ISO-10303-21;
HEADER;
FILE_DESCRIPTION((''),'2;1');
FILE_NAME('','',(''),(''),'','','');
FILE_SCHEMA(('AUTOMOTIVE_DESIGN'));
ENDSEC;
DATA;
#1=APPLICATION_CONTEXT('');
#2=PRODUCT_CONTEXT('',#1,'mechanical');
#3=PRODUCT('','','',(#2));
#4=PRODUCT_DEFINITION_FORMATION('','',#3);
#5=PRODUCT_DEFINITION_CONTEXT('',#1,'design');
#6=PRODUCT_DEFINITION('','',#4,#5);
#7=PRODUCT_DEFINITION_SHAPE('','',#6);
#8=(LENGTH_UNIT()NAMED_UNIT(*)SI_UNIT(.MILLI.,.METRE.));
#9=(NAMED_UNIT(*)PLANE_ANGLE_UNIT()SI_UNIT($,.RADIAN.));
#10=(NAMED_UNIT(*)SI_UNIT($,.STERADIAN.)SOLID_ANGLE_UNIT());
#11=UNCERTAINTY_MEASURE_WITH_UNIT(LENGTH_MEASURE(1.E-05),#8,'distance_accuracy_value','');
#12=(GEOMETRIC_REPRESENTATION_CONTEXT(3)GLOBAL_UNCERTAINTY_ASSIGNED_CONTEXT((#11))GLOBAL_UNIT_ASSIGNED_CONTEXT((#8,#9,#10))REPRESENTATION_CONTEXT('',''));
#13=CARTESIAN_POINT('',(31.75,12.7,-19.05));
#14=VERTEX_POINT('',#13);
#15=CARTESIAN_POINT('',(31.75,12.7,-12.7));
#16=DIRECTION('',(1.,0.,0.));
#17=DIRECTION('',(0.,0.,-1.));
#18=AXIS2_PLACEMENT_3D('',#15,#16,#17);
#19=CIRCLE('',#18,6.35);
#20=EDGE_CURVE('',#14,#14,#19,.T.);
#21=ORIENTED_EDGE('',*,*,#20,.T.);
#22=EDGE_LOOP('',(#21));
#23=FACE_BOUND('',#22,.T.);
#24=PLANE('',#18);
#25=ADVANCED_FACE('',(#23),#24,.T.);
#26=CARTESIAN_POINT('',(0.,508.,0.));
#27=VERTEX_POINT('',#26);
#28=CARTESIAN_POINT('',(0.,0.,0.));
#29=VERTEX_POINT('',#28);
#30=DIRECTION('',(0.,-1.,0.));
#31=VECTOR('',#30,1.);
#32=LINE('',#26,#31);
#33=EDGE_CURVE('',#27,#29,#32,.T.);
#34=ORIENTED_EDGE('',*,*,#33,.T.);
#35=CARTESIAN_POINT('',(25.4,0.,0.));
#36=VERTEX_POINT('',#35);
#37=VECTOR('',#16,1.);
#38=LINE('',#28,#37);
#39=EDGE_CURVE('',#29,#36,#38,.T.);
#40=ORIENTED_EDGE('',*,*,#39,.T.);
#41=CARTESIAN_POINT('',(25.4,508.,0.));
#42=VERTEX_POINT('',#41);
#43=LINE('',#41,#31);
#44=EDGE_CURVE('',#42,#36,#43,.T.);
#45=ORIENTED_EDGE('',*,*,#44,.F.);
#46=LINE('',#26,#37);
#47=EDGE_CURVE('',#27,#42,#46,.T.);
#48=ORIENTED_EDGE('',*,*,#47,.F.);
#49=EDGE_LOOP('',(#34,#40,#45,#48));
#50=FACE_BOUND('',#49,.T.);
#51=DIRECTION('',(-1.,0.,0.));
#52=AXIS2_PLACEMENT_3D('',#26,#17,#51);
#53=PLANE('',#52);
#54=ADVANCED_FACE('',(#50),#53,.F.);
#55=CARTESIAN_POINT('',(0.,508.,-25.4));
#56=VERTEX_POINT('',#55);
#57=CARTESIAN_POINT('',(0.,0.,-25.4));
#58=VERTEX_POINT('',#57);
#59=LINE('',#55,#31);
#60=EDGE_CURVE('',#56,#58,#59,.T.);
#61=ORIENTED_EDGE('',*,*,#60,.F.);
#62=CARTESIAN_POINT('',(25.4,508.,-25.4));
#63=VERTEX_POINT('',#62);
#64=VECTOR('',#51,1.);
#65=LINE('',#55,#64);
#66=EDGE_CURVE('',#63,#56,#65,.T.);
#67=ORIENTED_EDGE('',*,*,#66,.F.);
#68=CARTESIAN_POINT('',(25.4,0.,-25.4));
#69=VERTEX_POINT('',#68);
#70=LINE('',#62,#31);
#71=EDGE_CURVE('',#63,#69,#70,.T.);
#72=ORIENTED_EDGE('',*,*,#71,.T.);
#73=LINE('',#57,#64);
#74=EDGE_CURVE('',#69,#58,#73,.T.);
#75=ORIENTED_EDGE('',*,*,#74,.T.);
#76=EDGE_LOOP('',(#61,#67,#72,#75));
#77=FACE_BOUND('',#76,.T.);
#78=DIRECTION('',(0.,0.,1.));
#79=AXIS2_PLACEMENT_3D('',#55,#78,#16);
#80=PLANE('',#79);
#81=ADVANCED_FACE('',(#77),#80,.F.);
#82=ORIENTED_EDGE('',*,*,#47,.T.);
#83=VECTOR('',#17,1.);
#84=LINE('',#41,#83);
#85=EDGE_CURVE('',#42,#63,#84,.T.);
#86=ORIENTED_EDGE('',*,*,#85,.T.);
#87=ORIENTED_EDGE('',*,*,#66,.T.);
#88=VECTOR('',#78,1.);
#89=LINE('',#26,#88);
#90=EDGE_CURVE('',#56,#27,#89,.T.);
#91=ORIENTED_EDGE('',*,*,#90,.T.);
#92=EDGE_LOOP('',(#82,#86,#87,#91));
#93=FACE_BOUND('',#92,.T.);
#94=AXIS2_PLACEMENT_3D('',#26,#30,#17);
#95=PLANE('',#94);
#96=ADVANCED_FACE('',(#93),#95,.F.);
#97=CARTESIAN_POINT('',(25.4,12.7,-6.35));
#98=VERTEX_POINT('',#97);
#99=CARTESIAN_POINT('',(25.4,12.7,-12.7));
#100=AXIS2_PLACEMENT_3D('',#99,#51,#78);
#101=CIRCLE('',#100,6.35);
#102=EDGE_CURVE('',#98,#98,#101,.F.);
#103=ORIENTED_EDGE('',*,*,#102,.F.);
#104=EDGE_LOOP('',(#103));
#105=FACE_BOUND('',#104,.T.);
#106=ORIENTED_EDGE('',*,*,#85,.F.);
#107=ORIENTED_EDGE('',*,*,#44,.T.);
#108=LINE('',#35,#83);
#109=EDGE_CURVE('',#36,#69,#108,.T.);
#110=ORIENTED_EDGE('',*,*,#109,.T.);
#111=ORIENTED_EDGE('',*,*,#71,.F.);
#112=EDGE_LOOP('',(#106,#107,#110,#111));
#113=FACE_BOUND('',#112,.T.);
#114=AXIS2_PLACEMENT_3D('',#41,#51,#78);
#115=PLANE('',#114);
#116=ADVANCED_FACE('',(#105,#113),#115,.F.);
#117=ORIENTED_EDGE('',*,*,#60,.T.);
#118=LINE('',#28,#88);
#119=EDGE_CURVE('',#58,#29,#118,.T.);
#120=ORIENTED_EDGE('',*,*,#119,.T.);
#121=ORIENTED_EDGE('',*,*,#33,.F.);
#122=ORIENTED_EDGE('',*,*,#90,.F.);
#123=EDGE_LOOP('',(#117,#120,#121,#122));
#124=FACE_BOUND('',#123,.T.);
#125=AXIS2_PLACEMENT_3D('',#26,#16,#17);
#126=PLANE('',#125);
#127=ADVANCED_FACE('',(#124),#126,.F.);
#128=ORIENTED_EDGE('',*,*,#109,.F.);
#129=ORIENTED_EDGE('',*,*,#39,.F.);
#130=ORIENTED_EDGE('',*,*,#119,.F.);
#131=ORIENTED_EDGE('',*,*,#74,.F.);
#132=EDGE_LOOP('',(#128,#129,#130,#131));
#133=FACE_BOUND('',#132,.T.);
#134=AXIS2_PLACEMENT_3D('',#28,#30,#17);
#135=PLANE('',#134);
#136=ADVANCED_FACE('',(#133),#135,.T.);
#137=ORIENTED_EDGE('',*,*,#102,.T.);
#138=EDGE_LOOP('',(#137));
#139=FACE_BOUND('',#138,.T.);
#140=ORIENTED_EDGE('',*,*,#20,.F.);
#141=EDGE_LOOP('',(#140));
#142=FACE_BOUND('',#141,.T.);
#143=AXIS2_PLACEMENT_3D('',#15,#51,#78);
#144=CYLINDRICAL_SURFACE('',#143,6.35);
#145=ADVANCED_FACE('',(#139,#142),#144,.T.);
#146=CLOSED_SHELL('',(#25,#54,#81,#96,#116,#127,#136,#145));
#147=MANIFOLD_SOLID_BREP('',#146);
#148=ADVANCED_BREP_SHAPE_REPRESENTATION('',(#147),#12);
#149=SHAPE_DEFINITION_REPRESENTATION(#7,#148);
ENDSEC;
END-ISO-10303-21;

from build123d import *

# Parameters (mm, degrees)
SKETCH1_W           = 25.4
SKETCH1_H           = 25.4
BOSS_EXTRUDE2_DEPTH = 508
SKETCH3_R           = 6.35
BOSS_EXTRUDE4_DEPTH = 6.35


with BuildPart() as part:
    # Sketch1 → Boss-Extrude2 (new body)
    with BuildSketch(Plane(origin=(0, 0, 0), x_dir=(1, 0, 0), z_dir=(0, 1, 0))):
        with Locations((12.7, 12.7)):
            Rectangle(SKETCH1_W, SKETCH1_H)
    extrude(amount=BOSS_EXTRUDE2_DEPTH)

    # Sketch3 → Boss-Extrude4 (add)
    with BuildSketch(Plane(origin=(25.4, 0, 0), x_dir=(0, 0, -1), z_dir=(1, 0, 0))):
        with Locations(Location((12.7, 12.7, 0), (0, 0, 180))):
            Circle(SKETCH3_R)
    extrude(amount=BOSS_EXTRUDE4_DEPTH)


solid = part.part
